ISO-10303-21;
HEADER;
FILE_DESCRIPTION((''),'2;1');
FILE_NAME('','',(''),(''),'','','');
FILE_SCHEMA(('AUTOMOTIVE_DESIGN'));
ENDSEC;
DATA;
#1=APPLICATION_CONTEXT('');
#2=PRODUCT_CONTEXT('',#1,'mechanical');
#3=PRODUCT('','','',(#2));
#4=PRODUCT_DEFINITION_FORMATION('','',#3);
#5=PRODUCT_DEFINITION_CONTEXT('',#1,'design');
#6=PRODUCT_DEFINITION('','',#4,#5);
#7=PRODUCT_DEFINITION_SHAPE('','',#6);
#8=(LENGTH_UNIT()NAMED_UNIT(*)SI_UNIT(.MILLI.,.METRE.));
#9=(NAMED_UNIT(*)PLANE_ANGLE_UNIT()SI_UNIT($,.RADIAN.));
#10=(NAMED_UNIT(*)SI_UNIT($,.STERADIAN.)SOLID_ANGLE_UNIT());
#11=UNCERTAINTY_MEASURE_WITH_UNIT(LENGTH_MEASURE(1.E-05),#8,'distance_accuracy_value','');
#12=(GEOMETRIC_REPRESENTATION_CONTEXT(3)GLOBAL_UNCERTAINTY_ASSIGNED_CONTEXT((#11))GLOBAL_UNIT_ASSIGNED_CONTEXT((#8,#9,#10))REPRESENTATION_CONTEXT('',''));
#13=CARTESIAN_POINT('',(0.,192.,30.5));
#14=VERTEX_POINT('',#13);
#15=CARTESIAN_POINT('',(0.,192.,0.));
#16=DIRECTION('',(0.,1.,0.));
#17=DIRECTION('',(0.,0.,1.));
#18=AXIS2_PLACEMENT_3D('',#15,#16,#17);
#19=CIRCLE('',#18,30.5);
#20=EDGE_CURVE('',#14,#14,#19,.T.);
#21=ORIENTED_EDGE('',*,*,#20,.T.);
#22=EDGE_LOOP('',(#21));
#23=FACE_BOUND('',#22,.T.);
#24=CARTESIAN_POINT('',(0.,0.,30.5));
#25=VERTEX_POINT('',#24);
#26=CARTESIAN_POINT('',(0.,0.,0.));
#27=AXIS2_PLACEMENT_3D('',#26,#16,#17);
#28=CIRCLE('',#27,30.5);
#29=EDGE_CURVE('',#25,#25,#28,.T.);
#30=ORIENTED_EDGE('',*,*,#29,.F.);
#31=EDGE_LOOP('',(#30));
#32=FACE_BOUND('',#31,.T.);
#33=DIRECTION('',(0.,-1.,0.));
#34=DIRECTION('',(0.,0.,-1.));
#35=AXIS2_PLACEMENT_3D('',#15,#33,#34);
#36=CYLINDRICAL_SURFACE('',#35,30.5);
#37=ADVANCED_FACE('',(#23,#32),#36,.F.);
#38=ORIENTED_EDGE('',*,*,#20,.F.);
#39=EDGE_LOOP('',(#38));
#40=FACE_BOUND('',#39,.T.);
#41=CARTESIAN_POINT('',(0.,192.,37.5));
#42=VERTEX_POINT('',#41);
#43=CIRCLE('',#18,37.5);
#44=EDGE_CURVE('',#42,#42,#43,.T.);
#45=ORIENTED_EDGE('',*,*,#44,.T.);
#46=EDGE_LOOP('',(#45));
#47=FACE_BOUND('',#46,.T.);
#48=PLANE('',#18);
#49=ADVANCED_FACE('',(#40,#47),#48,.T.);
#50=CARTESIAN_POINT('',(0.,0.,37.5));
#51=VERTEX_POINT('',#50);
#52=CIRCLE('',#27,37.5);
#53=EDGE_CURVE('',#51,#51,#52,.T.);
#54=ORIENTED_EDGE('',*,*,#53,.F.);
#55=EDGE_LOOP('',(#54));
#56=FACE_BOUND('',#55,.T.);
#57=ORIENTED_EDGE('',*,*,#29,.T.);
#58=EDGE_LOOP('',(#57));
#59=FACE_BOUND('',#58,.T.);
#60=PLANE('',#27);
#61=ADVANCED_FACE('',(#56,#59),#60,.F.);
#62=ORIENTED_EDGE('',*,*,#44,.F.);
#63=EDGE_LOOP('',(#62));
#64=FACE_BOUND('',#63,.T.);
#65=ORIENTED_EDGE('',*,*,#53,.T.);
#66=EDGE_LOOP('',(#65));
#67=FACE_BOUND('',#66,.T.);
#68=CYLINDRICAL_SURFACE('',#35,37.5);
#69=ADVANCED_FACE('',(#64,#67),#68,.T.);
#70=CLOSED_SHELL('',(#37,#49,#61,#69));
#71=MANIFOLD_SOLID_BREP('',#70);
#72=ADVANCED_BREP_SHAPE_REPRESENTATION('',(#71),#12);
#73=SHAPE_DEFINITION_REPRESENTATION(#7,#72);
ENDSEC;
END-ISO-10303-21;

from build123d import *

# Parameters (mm, degrees)
SKETCH3_R           = 37.5
SKETCH3_R_2         = 30.5
BOSS_EXTRUDE1_DEPTH = 192


with BuildPart() as part:
    # Sketch3 → Boss-Extrude1 (new body)
    with BuildSketch(Plane(origin=(0, 0, 0), x_dir=(1, 0, 0), z_dir=(0, 1, 0))):
        Circle(SKETCH3_R)
        Circle(SKETCH3_R_2, mode=Mode.SUBTRACT)
    extrude(amount=BOSS_EXTRUDE1_DEPTH)


solid = part.part
